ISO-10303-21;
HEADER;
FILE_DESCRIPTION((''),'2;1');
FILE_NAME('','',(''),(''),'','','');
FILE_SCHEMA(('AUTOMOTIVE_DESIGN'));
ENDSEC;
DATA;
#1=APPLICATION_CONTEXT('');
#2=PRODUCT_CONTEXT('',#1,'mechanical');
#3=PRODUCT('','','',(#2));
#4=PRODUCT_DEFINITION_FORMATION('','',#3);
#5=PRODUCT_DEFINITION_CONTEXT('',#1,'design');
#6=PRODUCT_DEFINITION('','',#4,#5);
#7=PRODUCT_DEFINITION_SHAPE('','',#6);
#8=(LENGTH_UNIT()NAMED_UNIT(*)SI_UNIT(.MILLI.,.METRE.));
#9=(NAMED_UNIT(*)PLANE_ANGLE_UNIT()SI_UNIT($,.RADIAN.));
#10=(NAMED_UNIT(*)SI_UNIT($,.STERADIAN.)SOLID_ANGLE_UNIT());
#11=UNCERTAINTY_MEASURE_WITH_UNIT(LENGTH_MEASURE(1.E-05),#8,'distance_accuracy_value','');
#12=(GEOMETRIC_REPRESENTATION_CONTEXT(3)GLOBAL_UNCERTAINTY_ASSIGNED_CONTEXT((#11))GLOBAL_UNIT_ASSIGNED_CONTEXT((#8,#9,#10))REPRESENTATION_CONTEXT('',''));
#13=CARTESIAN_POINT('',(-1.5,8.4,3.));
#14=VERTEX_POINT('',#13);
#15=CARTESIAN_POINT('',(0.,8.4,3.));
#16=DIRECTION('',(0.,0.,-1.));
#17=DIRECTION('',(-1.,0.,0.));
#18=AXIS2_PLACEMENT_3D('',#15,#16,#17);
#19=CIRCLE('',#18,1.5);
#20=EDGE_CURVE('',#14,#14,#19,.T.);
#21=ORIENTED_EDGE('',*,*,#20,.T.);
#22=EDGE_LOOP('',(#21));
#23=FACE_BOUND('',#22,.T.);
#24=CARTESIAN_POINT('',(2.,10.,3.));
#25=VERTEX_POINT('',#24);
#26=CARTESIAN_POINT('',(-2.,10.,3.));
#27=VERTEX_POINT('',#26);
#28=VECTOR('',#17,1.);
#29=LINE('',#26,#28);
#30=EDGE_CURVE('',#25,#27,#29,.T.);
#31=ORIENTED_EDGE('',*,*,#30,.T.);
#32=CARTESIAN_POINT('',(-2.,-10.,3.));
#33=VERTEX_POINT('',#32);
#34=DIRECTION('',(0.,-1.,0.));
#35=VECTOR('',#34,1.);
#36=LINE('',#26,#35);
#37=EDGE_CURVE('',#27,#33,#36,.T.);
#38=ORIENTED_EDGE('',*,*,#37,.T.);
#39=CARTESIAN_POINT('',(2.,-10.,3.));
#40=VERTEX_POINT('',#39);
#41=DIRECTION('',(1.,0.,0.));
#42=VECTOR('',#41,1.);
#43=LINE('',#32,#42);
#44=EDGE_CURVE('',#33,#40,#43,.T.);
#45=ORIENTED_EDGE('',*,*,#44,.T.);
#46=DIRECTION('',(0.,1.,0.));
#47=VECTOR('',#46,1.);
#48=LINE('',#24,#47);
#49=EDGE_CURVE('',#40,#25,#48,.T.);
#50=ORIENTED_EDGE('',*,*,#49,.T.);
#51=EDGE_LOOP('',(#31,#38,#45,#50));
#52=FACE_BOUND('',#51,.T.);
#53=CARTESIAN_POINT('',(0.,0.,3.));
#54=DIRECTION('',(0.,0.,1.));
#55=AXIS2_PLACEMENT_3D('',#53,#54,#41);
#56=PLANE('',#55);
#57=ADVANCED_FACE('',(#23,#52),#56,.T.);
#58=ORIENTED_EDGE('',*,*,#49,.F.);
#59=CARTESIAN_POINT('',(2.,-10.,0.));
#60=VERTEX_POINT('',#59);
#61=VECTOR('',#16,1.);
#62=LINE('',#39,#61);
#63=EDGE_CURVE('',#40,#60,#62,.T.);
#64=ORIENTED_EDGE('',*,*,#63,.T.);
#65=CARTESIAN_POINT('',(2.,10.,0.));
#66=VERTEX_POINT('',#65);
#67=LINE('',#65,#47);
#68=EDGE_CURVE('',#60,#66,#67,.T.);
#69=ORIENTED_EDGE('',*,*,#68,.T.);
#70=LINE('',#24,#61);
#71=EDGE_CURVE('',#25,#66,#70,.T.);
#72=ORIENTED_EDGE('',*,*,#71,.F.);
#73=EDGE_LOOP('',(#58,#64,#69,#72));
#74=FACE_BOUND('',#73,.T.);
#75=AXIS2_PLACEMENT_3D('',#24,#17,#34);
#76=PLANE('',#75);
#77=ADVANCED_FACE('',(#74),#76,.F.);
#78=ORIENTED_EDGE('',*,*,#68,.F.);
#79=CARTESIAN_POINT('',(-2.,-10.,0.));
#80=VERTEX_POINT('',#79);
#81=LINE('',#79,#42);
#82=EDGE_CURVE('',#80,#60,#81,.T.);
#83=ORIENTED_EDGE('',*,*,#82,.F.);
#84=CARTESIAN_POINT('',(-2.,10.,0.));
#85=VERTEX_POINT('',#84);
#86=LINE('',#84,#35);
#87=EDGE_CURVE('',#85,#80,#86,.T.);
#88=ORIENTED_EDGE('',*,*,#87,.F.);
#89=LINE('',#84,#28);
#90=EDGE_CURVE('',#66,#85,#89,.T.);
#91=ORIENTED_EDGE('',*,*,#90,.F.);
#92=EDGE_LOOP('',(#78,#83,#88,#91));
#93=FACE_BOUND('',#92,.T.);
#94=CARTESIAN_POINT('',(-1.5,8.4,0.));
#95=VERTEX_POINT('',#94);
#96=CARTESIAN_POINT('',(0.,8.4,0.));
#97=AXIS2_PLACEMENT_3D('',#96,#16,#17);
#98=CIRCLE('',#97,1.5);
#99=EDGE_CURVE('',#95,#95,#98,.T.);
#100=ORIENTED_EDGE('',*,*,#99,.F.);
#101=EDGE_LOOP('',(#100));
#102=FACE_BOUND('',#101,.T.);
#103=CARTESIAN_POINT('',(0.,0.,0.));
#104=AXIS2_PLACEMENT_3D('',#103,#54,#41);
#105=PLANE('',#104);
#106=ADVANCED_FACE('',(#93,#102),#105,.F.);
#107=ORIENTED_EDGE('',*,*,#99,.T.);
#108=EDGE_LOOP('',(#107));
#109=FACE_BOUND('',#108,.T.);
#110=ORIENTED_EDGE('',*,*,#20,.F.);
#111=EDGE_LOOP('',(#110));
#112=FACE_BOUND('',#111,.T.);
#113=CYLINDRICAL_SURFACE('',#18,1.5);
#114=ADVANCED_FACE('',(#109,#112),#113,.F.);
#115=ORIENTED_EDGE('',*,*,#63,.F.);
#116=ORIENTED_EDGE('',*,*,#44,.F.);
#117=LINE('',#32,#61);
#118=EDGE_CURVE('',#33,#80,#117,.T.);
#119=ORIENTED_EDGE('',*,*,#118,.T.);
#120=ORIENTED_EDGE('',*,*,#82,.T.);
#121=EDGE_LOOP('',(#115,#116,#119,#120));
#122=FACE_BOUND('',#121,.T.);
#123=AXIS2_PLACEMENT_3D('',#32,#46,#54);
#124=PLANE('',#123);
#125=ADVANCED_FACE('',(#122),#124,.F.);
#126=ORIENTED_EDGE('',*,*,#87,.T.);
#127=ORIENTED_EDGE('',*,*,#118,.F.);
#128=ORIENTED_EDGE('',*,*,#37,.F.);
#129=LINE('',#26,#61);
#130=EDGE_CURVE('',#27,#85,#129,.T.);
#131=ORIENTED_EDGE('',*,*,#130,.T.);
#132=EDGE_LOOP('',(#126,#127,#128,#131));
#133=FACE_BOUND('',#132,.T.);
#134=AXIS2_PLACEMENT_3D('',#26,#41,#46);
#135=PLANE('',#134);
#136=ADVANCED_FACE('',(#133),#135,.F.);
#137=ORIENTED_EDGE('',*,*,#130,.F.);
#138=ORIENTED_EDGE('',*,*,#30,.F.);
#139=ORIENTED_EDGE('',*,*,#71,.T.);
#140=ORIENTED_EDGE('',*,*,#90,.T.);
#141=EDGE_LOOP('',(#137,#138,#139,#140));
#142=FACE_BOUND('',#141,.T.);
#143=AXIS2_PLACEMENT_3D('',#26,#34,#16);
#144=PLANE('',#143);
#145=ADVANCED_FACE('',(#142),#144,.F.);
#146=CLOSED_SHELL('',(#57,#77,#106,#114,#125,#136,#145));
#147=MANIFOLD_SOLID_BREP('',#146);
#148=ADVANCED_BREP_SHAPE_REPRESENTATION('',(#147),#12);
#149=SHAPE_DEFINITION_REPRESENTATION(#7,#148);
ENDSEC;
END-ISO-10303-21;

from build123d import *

# Parameters (mm, degrees)
SKETCH_1_W          = 4
SKETCH_1_H          = 20
EXTRUDE_1_DEPTH     = 3
SKETCH_2_R          = 1.5
CUT_EXTRUDE_3_DEPTH = 3


with BuildPart() as part:
    # 草圖1 → 填料-伸長1 (new body)
    with BuildSketch(Plane.XY):
        Rectangle(SKETCH_1_W, SKETCH_1_H)
    extrude(amount=EXTRUDE_1_DEPTH)

    # 草圖2 → 除料-伸長3 (cut)
    with BuildSketch(Plane(origin=(0, 0, 0), x_dir=(-1, 0, 0), z_dir=(0, 0, -1))):
        with Locations((0, 8.4)):
            Circle(SKETCH_2_R)
    extrude(amount=-CUT_EXTRUDE_3_DEPTH, mode=Mode.SUBTRACT)


solid = part.part
